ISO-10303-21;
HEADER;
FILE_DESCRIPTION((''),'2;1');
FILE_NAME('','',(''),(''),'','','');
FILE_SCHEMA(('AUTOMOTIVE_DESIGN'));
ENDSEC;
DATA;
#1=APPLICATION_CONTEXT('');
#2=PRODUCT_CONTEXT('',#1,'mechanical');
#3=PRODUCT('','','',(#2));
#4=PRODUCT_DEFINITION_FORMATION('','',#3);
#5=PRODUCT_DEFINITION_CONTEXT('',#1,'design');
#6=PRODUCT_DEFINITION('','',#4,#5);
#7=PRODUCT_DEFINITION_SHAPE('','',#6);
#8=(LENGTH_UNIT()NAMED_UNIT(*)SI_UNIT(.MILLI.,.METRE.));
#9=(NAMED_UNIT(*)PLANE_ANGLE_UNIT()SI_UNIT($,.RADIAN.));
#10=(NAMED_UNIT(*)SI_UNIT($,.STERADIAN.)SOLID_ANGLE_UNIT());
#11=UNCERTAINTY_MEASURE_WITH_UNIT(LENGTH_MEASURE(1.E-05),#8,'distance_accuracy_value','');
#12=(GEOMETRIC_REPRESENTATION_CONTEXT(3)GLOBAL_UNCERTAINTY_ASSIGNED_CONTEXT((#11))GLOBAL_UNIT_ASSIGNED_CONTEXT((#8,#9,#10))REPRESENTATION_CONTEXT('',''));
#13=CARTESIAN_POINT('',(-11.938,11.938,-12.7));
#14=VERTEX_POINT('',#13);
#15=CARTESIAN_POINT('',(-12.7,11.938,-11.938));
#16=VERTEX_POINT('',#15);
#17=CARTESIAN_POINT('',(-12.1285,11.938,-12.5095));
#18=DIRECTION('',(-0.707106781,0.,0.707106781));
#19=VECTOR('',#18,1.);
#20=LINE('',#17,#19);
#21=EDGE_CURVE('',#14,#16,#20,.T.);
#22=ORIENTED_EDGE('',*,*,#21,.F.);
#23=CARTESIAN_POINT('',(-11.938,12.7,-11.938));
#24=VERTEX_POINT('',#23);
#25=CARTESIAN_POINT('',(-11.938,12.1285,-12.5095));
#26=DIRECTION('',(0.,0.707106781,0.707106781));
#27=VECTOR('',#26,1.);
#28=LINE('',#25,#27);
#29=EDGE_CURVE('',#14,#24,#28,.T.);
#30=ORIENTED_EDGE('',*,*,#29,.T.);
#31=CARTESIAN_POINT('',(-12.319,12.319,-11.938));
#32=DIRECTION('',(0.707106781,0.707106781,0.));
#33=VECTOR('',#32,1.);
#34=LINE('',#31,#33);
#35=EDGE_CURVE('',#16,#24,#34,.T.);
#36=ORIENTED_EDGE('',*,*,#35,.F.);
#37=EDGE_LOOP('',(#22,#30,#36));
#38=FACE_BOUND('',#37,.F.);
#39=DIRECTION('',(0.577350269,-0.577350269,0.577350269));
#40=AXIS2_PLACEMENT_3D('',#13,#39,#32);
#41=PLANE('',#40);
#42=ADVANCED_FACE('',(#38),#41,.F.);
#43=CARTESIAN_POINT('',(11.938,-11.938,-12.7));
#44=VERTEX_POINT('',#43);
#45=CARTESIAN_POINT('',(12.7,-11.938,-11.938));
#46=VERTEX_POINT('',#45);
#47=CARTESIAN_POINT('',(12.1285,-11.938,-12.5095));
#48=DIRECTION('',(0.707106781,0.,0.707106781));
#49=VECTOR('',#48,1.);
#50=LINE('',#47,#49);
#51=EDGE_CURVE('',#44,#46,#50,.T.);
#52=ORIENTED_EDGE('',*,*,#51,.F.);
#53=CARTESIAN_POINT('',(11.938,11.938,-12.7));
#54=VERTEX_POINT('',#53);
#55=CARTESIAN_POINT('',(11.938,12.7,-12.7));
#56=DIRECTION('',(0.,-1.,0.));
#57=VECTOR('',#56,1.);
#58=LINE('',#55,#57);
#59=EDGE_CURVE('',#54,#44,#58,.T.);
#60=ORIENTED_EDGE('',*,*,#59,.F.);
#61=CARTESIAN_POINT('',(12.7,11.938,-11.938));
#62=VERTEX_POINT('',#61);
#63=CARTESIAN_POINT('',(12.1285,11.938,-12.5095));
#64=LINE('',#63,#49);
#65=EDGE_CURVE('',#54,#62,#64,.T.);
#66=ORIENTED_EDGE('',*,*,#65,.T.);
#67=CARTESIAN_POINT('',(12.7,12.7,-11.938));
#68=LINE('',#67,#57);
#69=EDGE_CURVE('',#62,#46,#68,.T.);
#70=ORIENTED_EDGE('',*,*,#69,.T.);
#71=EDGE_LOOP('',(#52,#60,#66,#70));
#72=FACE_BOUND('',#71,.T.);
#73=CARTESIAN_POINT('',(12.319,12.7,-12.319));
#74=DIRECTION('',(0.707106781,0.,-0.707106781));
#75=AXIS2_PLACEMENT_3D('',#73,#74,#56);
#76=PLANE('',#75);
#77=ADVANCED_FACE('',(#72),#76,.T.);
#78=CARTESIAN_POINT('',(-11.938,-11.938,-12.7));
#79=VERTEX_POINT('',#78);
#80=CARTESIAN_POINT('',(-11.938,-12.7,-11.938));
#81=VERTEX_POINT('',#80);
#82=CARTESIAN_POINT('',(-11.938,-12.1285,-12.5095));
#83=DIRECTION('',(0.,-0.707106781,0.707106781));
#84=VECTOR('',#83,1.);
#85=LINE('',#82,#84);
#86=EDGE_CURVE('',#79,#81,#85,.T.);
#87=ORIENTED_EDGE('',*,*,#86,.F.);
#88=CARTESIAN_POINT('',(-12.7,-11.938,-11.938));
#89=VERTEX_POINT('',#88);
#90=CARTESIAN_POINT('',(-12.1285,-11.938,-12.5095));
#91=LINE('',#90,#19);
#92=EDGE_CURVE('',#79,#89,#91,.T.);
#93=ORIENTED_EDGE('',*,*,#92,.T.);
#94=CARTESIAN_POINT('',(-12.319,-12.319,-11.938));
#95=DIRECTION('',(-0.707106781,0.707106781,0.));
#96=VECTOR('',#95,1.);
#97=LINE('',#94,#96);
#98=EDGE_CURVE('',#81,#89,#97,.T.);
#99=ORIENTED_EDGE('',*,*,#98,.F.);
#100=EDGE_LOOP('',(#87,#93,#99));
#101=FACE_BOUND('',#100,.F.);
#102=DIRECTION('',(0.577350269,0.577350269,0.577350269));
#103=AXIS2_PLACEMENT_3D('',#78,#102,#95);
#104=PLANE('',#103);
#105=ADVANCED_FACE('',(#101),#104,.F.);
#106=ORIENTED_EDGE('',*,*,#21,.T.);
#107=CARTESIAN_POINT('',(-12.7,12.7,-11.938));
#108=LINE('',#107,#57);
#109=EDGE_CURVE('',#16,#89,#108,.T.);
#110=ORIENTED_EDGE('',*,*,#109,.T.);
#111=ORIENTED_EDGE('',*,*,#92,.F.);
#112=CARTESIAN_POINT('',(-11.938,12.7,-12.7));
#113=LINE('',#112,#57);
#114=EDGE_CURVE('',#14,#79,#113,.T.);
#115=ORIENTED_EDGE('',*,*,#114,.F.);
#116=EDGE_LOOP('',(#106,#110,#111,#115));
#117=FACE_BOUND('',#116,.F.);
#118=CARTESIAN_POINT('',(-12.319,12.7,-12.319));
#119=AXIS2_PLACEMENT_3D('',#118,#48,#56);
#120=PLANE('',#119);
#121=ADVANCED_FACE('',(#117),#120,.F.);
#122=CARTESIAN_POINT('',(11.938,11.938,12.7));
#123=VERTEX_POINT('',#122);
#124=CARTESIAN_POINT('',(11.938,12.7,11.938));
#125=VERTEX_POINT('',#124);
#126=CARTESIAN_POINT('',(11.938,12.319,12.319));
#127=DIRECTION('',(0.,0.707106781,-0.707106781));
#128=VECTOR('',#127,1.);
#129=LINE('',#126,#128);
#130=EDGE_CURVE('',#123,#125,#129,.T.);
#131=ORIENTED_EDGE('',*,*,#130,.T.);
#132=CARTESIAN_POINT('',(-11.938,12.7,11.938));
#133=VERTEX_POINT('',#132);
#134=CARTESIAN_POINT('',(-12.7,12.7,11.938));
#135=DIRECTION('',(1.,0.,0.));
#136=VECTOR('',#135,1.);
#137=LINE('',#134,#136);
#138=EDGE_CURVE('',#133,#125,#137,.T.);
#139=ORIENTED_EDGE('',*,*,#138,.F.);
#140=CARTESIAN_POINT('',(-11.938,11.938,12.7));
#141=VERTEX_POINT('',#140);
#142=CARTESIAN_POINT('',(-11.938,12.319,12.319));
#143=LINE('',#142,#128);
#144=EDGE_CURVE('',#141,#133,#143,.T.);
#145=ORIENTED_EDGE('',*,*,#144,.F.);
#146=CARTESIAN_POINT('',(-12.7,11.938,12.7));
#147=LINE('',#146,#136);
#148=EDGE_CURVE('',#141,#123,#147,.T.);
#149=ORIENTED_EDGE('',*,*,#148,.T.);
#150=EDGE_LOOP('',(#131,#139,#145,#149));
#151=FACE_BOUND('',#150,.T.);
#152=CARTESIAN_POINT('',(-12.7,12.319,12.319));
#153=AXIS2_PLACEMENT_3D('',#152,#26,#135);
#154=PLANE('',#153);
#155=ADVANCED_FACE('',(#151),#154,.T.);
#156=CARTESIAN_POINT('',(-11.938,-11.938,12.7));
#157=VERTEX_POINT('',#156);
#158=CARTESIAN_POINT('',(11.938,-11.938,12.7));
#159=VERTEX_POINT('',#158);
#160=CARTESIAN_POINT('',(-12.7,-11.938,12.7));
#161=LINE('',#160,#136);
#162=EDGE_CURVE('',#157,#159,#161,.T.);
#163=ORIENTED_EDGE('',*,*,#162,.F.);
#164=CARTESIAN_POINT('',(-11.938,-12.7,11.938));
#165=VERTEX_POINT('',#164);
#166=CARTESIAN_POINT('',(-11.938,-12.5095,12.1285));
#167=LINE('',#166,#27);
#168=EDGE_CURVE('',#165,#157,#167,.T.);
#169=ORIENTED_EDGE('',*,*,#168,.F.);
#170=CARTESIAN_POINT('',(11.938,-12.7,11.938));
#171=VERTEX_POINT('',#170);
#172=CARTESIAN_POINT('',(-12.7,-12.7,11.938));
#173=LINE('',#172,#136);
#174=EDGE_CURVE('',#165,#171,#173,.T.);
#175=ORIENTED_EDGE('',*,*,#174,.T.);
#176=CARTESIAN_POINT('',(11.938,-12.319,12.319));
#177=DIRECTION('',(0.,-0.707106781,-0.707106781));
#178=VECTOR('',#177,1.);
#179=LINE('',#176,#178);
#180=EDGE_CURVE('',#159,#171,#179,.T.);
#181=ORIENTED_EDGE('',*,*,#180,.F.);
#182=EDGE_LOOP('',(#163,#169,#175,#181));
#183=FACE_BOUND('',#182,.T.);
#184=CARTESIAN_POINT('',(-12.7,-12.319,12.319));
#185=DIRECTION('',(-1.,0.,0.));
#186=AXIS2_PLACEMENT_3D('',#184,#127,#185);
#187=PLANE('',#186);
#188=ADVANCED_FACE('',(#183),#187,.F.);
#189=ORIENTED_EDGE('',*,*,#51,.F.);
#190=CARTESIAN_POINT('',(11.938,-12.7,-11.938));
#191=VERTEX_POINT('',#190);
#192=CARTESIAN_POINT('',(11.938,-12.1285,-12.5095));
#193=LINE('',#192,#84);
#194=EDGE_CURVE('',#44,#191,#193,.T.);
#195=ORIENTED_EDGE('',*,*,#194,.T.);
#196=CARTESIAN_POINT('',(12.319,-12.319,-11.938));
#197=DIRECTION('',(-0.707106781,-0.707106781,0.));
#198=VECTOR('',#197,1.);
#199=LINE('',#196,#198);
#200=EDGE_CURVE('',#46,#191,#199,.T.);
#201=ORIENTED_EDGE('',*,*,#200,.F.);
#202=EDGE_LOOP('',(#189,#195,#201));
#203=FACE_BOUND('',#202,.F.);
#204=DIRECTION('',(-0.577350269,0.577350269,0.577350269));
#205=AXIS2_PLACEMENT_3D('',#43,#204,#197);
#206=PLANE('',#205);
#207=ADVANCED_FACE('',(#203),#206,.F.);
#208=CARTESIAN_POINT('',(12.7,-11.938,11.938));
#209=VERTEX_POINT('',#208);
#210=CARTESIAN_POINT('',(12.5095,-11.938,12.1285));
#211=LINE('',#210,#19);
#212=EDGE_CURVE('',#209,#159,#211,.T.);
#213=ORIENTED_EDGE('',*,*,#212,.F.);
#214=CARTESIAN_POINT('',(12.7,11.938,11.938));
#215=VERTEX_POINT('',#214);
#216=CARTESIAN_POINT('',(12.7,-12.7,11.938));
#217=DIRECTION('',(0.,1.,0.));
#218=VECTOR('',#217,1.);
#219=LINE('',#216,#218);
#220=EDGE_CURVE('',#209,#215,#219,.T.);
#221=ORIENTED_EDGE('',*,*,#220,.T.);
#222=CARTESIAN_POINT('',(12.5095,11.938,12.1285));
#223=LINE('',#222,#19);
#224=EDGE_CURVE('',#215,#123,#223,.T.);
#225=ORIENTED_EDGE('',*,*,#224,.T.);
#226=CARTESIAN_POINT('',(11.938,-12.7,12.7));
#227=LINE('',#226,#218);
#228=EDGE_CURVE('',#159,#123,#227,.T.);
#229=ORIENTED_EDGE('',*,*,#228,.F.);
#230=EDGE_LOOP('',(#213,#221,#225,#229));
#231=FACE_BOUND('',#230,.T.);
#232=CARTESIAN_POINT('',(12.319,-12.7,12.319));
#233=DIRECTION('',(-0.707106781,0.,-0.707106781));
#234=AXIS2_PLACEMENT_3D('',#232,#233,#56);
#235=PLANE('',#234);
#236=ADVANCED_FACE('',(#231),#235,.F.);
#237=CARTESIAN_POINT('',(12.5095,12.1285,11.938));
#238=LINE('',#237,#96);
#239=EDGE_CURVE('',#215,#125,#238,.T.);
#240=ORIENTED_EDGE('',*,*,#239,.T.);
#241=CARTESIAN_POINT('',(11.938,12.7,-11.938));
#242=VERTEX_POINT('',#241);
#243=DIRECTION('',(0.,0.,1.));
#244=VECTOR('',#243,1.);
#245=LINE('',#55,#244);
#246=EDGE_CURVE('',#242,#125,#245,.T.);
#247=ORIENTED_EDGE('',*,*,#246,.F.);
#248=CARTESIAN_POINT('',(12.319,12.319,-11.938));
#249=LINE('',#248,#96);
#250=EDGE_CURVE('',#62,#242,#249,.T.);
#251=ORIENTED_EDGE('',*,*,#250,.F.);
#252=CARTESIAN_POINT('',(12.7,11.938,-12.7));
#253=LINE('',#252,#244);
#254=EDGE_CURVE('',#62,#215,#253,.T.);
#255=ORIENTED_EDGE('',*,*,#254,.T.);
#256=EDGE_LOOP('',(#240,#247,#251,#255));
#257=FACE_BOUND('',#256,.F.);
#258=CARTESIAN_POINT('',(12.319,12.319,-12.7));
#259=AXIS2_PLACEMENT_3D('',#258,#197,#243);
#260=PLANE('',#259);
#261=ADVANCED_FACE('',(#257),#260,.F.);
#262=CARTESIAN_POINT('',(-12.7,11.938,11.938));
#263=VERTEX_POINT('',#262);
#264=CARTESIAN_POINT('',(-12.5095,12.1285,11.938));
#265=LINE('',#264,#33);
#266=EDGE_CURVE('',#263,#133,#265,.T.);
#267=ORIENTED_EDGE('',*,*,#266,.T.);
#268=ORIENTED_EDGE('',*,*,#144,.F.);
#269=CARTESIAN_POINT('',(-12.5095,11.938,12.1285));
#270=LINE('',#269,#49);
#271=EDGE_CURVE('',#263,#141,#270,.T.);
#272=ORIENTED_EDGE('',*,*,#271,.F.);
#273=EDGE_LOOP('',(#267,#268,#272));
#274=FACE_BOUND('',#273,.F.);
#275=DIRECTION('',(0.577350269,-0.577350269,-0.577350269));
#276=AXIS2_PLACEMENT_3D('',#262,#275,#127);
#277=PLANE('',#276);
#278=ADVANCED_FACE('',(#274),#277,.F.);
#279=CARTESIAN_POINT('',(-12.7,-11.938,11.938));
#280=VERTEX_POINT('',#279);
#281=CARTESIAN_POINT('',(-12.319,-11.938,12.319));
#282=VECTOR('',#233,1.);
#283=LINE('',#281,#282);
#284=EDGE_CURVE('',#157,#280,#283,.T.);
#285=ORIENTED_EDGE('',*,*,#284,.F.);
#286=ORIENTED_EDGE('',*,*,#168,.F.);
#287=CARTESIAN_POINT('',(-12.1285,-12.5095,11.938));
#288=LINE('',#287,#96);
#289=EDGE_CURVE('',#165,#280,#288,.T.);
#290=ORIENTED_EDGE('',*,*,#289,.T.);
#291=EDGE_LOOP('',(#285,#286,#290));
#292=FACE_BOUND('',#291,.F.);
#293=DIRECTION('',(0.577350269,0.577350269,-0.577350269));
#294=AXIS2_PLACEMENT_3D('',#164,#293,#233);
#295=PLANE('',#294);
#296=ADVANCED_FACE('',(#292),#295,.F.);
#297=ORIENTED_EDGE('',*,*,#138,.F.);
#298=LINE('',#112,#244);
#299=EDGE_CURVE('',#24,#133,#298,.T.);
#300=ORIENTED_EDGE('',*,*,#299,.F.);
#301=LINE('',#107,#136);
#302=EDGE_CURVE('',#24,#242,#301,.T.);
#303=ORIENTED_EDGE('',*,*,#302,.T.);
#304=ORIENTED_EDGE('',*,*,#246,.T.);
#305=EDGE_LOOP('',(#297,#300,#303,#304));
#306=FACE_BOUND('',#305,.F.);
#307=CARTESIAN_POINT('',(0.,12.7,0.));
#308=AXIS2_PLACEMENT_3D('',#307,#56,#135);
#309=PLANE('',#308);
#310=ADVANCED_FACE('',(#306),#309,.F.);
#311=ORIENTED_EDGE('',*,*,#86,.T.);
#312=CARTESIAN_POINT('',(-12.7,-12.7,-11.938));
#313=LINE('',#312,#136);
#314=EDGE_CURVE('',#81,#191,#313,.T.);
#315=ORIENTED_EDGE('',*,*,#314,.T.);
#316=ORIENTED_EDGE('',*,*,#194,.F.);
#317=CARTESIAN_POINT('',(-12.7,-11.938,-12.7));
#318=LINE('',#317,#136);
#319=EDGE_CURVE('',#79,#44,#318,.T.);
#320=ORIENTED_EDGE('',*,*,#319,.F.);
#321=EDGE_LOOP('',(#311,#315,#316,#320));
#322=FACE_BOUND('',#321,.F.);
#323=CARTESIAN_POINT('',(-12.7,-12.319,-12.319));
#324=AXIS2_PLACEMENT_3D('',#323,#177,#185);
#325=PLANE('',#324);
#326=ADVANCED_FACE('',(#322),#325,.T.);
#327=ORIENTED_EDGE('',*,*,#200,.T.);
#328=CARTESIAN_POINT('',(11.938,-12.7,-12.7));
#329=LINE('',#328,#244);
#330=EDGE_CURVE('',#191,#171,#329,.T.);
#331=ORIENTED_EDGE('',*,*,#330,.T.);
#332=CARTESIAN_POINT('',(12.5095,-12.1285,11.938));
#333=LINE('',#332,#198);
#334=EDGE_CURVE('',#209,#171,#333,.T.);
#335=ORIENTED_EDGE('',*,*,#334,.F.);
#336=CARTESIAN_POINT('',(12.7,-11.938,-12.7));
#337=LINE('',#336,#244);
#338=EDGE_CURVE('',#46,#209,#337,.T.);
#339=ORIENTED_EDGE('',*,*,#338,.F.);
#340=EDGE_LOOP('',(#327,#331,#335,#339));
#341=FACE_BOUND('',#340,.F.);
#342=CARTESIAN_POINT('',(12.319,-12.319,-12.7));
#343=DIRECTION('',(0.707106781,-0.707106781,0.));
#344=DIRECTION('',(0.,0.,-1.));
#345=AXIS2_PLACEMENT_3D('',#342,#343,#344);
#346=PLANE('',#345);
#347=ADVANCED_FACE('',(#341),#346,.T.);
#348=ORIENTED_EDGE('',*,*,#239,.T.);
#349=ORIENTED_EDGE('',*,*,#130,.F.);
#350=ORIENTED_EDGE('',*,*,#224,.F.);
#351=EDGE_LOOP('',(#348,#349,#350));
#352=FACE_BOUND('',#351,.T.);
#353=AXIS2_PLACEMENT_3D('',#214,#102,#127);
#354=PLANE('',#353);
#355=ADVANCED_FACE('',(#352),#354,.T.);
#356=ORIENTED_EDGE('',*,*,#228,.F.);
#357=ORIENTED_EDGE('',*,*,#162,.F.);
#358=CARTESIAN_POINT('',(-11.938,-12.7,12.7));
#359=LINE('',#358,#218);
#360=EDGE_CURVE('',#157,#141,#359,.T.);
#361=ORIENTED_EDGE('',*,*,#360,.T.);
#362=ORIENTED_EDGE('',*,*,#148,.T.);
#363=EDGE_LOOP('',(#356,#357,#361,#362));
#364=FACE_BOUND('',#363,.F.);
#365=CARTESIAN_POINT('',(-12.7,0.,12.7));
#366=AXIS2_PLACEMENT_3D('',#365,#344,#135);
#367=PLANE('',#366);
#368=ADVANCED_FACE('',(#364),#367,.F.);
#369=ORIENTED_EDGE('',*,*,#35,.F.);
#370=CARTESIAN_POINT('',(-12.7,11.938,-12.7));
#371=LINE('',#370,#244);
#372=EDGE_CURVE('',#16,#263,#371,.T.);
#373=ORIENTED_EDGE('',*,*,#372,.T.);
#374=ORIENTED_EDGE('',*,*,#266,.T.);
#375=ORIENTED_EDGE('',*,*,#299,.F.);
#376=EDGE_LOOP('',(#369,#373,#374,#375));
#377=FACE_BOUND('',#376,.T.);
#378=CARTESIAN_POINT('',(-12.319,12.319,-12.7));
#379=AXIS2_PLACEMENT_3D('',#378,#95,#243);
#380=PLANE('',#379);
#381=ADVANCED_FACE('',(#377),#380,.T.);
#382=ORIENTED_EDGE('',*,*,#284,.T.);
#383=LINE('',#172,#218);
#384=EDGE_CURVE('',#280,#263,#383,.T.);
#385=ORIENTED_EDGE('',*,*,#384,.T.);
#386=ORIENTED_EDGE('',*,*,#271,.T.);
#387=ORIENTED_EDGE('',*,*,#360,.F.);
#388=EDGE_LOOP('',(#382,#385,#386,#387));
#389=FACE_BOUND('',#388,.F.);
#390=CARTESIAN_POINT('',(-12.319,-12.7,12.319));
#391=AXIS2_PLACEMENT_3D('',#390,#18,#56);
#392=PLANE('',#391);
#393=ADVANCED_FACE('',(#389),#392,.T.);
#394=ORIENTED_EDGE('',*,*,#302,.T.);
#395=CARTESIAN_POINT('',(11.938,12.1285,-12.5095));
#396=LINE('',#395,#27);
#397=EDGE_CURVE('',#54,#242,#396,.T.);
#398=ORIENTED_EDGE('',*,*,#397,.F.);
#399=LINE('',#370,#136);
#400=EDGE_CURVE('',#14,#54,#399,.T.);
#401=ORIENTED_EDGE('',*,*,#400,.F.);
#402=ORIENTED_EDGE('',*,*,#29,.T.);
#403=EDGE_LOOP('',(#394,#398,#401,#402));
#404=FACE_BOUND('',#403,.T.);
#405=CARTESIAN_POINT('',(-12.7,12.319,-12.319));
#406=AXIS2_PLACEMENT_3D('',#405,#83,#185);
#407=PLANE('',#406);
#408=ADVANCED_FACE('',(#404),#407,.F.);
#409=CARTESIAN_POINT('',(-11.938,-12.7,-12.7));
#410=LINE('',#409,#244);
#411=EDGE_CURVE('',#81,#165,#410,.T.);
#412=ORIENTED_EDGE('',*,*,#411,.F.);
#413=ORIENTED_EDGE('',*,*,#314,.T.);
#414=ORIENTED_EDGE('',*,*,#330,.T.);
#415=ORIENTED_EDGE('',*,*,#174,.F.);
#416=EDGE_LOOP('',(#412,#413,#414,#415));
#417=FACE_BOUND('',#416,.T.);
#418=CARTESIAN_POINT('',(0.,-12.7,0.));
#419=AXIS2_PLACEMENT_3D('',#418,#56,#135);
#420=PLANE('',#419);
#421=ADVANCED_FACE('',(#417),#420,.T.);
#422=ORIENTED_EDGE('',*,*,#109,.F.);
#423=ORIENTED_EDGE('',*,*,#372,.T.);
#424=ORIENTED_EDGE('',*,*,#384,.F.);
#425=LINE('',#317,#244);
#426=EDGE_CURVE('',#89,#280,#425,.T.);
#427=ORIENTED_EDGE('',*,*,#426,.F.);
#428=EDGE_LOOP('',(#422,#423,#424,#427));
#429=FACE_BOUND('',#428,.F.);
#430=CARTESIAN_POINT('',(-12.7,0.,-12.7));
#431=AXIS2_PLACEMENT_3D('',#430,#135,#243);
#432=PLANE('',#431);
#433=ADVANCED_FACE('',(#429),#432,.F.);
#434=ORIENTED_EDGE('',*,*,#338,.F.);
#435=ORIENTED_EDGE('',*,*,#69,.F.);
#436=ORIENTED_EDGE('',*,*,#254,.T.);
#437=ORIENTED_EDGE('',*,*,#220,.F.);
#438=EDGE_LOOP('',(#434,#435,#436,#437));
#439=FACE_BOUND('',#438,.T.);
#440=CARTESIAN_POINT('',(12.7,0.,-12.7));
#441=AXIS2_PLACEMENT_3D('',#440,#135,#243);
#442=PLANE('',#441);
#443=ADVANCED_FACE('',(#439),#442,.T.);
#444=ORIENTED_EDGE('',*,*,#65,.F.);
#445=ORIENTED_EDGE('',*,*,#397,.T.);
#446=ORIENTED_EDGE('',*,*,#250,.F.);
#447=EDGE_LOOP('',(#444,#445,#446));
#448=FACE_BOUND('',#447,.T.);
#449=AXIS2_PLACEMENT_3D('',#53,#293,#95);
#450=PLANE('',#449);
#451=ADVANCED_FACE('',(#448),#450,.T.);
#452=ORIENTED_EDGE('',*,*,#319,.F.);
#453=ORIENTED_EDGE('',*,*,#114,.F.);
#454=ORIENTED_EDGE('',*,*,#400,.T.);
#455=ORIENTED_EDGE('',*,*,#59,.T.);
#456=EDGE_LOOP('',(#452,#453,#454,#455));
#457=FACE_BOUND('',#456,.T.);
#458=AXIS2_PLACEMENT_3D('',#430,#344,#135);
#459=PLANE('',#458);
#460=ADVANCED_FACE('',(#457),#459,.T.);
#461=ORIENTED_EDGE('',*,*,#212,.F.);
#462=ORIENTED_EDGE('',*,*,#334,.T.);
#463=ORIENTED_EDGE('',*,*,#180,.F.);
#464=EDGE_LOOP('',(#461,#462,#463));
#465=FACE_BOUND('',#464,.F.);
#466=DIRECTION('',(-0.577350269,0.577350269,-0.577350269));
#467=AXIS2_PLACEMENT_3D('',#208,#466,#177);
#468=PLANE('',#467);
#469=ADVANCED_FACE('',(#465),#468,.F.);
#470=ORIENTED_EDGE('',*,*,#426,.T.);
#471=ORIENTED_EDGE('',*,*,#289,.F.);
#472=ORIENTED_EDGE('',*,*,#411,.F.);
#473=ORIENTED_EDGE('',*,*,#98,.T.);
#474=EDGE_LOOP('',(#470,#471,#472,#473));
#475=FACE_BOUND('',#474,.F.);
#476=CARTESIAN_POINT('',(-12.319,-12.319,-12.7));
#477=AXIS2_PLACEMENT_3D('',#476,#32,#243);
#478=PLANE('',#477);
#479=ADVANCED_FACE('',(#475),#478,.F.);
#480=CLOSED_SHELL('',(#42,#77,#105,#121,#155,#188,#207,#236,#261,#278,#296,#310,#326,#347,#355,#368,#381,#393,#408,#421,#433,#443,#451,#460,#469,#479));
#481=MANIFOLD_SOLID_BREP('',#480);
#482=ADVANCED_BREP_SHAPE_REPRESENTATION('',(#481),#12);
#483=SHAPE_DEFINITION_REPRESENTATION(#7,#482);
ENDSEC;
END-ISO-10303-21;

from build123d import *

# Parameters (mm, degrees)
F0_W     = 25.4
F0_H     = 25.4
F1_DEPTH = 12.7
F2_SIZE  = 0.762


with BuildPart() as f1:
    # F0 (on Front) → F1 (new body, symmetric)
    with BuildSketch(Plane.XZ):
        Rectangle(F0_W, F0_H)
    extrude(amount=F1_DEPTH, both=True)

    # F2
    f2_edges = [f1.edges().sort_by_distance(p)[0] for p in [
        (0, 12.7, 12.7),
        (-12.7, 0, 12.7),
        (0, -12.7, 12.7),
        (12.7, 0, 12.7),
        (12.7, 12.7, 0),
        (12.7, -12.7, 0),
        (12.7, 0, -12.7),
        (-12.7, -12.7, 0),
        (0, -12.7, -12.7),
        (-12.7, 12.7, 0),
        (-12.7, 0, -12.7),
        (0, 12.7, -12.7),
    ]]
    chamfer(f2_edges, length=F2_SIZE)


solid = f1.part
